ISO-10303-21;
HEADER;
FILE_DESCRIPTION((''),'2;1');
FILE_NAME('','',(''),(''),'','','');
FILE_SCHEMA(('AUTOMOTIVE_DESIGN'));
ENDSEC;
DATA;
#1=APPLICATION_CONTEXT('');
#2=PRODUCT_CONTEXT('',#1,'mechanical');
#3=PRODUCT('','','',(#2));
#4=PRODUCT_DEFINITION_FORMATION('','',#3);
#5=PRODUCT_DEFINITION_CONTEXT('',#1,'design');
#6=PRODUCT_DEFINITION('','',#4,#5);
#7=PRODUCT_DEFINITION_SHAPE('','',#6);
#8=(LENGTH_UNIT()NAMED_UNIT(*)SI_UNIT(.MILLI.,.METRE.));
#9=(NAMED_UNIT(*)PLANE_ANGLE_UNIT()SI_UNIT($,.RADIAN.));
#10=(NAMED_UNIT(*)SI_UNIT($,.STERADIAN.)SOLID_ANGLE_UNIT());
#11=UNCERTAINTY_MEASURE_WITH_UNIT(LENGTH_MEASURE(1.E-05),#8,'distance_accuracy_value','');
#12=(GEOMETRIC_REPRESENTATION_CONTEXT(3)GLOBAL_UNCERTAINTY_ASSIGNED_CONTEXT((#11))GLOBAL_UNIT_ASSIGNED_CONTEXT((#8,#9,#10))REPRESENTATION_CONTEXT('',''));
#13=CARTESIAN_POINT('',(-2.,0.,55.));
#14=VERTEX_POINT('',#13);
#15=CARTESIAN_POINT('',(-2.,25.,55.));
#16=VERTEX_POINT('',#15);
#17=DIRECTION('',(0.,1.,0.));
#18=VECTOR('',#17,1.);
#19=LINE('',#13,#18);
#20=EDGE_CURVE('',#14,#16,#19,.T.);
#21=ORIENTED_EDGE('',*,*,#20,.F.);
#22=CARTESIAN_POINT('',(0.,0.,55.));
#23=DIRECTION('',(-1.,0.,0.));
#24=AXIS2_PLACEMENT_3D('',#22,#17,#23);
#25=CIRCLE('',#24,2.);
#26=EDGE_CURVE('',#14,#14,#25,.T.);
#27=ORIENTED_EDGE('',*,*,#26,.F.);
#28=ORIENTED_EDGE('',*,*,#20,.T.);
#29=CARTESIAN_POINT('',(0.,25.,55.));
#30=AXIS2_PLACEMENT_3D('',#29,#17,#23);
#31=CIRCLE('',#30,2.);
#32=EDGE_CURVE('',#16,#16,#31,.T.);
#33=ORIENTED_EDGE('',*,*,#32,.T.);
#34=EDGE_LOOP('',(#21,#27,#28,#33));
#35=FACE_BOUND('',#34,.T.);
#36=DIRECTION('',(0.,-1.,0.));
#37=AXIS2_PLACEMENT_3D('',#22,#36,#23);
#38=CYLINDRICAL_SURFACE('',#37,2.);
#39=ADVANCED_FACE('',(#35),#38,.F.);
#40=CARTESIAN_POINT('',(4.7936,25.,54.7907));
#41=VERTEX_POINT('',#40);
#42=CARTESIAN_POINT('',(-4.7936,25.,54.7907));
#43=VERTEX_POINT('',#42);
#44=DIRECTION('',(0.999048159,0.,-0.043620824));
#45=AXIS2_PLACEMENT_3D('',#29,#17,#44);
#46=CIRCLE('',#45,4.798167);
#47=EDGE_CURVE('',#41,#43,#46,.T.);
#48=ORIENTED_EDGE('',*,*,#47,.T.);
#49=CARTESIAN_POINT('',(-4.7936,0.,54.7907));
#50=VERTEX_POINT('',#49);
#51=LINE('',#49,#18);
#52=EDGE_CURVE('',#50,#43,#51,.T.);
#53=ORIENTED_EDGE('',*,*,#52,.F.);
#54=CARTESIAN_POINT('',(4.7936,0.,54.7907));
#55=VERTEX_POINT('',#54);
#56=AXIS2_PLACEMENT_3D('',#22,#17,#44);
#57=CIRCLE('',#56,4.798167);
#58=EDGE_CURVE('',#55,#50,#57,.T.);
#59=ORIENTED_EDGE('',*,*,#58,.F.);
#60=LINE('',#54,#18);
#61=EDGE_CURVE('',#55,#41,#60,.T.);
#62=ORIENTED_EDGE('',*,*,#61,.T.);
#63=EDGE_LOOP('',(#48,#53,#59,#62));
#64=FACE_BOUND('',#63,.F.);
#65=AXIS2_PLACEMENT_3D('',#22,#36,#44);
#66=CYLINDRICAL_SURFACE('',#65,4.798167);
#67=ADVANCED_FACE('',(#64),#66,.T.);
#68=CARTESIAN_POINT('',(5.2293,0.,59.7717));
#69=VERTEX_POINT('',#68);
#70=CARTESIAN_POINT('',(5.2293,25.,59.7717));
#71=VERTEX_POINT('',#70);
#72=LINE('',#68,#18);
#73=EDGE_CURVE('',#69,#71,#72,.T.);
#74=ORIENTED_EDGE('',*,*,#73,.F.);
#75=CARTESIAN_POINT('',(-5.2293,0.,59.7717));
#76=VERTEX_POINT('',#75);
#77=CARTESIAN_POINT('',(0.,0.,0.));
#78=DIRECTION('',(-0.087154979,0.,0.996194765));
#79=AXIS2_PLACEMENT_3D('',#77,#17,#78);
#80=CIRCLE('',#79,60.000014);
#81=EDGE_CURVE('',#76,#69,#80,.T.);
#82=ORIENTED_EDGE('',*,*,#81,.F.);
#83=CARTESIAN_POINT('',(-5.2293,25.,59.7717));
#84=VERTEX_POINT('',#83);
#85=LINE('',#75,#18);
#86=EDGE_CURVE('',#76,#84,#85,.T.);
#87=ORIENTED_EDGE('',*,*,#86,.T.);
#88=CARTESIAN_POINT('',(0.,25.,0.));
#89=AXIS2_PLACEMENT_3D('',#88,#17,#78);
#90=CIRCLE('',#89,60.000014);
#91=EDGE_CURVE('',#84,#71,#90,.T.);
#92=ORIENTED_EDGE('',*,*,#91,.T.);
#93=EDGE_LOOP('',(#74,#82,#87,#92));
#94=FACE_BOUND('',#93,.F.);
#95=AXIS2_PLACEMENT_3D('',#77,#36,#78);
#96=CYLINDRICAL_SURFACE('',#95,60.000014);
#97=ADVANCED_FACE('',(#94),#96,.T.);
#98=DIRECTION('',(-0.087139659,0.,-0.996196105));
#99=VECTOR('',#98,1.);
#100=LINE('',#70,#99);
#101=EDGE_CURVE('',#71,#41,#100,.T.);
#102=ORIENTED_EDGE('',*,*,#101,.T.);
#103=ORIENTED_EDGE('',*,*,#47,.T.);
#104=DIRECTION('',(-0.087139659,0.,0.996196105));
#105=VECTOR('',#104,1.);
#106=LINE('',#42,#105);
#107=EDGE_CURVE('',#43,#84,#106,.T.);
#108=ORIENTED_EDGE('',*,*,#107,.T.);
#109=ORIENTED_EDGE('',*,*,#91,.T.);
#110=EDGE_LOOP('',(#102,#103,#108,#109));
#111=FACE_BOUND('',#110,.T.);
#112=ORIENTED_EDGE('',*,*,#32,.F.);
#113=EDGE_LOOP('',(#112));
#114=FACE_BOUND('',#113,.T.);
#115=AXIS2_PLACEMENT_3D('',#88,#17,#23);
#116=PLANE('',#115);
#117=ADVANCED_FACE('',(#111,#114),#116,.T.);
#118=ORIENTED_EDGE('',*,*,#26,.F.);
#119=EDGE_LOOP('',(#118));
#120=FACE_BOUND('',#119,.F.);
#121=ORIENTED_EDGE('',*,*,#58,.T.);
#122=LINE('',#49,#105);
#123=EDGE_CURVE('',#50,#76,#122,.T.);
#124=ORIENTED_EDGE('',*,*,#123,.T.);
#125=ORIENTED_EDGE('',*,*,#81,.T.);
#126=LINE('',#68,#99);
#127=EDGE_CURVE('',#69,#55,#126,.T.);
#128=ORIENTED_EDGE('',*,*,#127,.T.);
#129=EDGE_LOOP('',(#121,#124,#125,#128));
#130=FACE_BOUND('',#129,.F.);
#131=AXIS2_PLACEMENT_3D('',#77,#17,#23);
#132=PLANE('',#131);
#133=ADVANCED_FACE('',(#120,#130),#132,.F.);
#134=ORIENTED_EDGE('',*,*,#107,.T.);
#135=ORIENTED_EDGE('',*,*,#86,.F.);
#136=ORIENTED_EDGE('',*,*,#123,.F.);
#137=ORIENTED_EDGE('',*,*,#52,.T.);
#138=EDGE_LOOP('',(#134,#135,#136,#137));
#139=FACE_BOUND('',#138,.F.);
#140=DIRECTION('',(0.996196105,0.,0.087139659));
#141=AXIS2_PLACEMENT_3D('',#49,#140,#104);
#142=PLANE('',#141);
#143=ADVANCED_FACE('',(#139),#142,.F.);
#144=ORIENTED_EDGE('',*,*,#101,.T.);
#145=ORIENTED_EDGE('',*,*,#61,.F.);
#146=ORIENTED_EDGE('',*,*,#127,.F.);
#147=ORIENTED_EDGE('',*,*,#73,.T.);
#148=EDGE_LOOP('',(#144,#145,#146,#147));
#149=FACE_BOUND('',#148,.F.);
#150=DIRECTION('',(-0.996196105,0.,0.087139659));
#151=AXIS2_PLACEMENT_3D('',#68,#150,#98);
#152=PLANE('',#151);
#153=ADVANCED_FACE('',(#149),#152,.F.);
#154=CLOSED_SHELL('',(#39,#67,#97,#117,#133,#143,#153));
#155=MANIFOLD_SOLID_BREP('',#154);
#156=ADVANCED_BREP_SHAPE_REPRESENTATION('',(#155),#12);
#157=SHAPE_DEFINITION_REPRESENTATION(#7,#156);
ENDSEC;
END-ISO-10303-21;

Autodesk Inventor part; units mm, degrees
ref_plane "YZ Plane" through (0, 0, 0) normal (1, 0, 0) x (0, 1, 0)
ref_plane "XZ Plane" through (0, 0, 0) normal (0, 1, 0) x (-1, 0, 0)
ref_plane "XY Plane" through (0, 0, 0) normal (0, 0, 1) x (1, 0, 0)
sketch "Sketch1" plane through (0, 0, 0) normal (0, 1, 0) x (-1, 0, 0)
  circle A0 centre (0, 0) radius 60 construction
  circle A1 centre (0, 0) radius 55 construction
  circle A2 centre (0, 55) radius 2
  arc A3 (5.2293, 59.7717) -> (-5.2293, 59.7717) centre (0, 0) ccw
  line L0 (0, 0) -> (5.2293, 59.7717) construction
  line L1 (0, 0) -> (60, 0) construction
  line L2 (0, 0) -> (-5.2293, 59.7717) construction
  line L3 (0, 24.4692) -> (0, -19) construction
  arc A4 (-4.7936, 54.7907) -> (4.7936, 54.7907) centre (0, 55) ccw
  line L4 (4.7936, 54.7907) -> (5.2293, 59.7717)
  line L5 (-5.2293, 59.7717) -> (-4.7936, 54.7907)
  dimension "d0" = 120
  dimension "d1" = 110
  dimension "d2" = 4
  dimension "d4" = 10
  dimension "d5" = 5
extrude "Extrusion1" add sketch "Sketch1" along normal blind 25
equation "\"d5\" = 0.5 * d4"
properties part number "Spacer"
